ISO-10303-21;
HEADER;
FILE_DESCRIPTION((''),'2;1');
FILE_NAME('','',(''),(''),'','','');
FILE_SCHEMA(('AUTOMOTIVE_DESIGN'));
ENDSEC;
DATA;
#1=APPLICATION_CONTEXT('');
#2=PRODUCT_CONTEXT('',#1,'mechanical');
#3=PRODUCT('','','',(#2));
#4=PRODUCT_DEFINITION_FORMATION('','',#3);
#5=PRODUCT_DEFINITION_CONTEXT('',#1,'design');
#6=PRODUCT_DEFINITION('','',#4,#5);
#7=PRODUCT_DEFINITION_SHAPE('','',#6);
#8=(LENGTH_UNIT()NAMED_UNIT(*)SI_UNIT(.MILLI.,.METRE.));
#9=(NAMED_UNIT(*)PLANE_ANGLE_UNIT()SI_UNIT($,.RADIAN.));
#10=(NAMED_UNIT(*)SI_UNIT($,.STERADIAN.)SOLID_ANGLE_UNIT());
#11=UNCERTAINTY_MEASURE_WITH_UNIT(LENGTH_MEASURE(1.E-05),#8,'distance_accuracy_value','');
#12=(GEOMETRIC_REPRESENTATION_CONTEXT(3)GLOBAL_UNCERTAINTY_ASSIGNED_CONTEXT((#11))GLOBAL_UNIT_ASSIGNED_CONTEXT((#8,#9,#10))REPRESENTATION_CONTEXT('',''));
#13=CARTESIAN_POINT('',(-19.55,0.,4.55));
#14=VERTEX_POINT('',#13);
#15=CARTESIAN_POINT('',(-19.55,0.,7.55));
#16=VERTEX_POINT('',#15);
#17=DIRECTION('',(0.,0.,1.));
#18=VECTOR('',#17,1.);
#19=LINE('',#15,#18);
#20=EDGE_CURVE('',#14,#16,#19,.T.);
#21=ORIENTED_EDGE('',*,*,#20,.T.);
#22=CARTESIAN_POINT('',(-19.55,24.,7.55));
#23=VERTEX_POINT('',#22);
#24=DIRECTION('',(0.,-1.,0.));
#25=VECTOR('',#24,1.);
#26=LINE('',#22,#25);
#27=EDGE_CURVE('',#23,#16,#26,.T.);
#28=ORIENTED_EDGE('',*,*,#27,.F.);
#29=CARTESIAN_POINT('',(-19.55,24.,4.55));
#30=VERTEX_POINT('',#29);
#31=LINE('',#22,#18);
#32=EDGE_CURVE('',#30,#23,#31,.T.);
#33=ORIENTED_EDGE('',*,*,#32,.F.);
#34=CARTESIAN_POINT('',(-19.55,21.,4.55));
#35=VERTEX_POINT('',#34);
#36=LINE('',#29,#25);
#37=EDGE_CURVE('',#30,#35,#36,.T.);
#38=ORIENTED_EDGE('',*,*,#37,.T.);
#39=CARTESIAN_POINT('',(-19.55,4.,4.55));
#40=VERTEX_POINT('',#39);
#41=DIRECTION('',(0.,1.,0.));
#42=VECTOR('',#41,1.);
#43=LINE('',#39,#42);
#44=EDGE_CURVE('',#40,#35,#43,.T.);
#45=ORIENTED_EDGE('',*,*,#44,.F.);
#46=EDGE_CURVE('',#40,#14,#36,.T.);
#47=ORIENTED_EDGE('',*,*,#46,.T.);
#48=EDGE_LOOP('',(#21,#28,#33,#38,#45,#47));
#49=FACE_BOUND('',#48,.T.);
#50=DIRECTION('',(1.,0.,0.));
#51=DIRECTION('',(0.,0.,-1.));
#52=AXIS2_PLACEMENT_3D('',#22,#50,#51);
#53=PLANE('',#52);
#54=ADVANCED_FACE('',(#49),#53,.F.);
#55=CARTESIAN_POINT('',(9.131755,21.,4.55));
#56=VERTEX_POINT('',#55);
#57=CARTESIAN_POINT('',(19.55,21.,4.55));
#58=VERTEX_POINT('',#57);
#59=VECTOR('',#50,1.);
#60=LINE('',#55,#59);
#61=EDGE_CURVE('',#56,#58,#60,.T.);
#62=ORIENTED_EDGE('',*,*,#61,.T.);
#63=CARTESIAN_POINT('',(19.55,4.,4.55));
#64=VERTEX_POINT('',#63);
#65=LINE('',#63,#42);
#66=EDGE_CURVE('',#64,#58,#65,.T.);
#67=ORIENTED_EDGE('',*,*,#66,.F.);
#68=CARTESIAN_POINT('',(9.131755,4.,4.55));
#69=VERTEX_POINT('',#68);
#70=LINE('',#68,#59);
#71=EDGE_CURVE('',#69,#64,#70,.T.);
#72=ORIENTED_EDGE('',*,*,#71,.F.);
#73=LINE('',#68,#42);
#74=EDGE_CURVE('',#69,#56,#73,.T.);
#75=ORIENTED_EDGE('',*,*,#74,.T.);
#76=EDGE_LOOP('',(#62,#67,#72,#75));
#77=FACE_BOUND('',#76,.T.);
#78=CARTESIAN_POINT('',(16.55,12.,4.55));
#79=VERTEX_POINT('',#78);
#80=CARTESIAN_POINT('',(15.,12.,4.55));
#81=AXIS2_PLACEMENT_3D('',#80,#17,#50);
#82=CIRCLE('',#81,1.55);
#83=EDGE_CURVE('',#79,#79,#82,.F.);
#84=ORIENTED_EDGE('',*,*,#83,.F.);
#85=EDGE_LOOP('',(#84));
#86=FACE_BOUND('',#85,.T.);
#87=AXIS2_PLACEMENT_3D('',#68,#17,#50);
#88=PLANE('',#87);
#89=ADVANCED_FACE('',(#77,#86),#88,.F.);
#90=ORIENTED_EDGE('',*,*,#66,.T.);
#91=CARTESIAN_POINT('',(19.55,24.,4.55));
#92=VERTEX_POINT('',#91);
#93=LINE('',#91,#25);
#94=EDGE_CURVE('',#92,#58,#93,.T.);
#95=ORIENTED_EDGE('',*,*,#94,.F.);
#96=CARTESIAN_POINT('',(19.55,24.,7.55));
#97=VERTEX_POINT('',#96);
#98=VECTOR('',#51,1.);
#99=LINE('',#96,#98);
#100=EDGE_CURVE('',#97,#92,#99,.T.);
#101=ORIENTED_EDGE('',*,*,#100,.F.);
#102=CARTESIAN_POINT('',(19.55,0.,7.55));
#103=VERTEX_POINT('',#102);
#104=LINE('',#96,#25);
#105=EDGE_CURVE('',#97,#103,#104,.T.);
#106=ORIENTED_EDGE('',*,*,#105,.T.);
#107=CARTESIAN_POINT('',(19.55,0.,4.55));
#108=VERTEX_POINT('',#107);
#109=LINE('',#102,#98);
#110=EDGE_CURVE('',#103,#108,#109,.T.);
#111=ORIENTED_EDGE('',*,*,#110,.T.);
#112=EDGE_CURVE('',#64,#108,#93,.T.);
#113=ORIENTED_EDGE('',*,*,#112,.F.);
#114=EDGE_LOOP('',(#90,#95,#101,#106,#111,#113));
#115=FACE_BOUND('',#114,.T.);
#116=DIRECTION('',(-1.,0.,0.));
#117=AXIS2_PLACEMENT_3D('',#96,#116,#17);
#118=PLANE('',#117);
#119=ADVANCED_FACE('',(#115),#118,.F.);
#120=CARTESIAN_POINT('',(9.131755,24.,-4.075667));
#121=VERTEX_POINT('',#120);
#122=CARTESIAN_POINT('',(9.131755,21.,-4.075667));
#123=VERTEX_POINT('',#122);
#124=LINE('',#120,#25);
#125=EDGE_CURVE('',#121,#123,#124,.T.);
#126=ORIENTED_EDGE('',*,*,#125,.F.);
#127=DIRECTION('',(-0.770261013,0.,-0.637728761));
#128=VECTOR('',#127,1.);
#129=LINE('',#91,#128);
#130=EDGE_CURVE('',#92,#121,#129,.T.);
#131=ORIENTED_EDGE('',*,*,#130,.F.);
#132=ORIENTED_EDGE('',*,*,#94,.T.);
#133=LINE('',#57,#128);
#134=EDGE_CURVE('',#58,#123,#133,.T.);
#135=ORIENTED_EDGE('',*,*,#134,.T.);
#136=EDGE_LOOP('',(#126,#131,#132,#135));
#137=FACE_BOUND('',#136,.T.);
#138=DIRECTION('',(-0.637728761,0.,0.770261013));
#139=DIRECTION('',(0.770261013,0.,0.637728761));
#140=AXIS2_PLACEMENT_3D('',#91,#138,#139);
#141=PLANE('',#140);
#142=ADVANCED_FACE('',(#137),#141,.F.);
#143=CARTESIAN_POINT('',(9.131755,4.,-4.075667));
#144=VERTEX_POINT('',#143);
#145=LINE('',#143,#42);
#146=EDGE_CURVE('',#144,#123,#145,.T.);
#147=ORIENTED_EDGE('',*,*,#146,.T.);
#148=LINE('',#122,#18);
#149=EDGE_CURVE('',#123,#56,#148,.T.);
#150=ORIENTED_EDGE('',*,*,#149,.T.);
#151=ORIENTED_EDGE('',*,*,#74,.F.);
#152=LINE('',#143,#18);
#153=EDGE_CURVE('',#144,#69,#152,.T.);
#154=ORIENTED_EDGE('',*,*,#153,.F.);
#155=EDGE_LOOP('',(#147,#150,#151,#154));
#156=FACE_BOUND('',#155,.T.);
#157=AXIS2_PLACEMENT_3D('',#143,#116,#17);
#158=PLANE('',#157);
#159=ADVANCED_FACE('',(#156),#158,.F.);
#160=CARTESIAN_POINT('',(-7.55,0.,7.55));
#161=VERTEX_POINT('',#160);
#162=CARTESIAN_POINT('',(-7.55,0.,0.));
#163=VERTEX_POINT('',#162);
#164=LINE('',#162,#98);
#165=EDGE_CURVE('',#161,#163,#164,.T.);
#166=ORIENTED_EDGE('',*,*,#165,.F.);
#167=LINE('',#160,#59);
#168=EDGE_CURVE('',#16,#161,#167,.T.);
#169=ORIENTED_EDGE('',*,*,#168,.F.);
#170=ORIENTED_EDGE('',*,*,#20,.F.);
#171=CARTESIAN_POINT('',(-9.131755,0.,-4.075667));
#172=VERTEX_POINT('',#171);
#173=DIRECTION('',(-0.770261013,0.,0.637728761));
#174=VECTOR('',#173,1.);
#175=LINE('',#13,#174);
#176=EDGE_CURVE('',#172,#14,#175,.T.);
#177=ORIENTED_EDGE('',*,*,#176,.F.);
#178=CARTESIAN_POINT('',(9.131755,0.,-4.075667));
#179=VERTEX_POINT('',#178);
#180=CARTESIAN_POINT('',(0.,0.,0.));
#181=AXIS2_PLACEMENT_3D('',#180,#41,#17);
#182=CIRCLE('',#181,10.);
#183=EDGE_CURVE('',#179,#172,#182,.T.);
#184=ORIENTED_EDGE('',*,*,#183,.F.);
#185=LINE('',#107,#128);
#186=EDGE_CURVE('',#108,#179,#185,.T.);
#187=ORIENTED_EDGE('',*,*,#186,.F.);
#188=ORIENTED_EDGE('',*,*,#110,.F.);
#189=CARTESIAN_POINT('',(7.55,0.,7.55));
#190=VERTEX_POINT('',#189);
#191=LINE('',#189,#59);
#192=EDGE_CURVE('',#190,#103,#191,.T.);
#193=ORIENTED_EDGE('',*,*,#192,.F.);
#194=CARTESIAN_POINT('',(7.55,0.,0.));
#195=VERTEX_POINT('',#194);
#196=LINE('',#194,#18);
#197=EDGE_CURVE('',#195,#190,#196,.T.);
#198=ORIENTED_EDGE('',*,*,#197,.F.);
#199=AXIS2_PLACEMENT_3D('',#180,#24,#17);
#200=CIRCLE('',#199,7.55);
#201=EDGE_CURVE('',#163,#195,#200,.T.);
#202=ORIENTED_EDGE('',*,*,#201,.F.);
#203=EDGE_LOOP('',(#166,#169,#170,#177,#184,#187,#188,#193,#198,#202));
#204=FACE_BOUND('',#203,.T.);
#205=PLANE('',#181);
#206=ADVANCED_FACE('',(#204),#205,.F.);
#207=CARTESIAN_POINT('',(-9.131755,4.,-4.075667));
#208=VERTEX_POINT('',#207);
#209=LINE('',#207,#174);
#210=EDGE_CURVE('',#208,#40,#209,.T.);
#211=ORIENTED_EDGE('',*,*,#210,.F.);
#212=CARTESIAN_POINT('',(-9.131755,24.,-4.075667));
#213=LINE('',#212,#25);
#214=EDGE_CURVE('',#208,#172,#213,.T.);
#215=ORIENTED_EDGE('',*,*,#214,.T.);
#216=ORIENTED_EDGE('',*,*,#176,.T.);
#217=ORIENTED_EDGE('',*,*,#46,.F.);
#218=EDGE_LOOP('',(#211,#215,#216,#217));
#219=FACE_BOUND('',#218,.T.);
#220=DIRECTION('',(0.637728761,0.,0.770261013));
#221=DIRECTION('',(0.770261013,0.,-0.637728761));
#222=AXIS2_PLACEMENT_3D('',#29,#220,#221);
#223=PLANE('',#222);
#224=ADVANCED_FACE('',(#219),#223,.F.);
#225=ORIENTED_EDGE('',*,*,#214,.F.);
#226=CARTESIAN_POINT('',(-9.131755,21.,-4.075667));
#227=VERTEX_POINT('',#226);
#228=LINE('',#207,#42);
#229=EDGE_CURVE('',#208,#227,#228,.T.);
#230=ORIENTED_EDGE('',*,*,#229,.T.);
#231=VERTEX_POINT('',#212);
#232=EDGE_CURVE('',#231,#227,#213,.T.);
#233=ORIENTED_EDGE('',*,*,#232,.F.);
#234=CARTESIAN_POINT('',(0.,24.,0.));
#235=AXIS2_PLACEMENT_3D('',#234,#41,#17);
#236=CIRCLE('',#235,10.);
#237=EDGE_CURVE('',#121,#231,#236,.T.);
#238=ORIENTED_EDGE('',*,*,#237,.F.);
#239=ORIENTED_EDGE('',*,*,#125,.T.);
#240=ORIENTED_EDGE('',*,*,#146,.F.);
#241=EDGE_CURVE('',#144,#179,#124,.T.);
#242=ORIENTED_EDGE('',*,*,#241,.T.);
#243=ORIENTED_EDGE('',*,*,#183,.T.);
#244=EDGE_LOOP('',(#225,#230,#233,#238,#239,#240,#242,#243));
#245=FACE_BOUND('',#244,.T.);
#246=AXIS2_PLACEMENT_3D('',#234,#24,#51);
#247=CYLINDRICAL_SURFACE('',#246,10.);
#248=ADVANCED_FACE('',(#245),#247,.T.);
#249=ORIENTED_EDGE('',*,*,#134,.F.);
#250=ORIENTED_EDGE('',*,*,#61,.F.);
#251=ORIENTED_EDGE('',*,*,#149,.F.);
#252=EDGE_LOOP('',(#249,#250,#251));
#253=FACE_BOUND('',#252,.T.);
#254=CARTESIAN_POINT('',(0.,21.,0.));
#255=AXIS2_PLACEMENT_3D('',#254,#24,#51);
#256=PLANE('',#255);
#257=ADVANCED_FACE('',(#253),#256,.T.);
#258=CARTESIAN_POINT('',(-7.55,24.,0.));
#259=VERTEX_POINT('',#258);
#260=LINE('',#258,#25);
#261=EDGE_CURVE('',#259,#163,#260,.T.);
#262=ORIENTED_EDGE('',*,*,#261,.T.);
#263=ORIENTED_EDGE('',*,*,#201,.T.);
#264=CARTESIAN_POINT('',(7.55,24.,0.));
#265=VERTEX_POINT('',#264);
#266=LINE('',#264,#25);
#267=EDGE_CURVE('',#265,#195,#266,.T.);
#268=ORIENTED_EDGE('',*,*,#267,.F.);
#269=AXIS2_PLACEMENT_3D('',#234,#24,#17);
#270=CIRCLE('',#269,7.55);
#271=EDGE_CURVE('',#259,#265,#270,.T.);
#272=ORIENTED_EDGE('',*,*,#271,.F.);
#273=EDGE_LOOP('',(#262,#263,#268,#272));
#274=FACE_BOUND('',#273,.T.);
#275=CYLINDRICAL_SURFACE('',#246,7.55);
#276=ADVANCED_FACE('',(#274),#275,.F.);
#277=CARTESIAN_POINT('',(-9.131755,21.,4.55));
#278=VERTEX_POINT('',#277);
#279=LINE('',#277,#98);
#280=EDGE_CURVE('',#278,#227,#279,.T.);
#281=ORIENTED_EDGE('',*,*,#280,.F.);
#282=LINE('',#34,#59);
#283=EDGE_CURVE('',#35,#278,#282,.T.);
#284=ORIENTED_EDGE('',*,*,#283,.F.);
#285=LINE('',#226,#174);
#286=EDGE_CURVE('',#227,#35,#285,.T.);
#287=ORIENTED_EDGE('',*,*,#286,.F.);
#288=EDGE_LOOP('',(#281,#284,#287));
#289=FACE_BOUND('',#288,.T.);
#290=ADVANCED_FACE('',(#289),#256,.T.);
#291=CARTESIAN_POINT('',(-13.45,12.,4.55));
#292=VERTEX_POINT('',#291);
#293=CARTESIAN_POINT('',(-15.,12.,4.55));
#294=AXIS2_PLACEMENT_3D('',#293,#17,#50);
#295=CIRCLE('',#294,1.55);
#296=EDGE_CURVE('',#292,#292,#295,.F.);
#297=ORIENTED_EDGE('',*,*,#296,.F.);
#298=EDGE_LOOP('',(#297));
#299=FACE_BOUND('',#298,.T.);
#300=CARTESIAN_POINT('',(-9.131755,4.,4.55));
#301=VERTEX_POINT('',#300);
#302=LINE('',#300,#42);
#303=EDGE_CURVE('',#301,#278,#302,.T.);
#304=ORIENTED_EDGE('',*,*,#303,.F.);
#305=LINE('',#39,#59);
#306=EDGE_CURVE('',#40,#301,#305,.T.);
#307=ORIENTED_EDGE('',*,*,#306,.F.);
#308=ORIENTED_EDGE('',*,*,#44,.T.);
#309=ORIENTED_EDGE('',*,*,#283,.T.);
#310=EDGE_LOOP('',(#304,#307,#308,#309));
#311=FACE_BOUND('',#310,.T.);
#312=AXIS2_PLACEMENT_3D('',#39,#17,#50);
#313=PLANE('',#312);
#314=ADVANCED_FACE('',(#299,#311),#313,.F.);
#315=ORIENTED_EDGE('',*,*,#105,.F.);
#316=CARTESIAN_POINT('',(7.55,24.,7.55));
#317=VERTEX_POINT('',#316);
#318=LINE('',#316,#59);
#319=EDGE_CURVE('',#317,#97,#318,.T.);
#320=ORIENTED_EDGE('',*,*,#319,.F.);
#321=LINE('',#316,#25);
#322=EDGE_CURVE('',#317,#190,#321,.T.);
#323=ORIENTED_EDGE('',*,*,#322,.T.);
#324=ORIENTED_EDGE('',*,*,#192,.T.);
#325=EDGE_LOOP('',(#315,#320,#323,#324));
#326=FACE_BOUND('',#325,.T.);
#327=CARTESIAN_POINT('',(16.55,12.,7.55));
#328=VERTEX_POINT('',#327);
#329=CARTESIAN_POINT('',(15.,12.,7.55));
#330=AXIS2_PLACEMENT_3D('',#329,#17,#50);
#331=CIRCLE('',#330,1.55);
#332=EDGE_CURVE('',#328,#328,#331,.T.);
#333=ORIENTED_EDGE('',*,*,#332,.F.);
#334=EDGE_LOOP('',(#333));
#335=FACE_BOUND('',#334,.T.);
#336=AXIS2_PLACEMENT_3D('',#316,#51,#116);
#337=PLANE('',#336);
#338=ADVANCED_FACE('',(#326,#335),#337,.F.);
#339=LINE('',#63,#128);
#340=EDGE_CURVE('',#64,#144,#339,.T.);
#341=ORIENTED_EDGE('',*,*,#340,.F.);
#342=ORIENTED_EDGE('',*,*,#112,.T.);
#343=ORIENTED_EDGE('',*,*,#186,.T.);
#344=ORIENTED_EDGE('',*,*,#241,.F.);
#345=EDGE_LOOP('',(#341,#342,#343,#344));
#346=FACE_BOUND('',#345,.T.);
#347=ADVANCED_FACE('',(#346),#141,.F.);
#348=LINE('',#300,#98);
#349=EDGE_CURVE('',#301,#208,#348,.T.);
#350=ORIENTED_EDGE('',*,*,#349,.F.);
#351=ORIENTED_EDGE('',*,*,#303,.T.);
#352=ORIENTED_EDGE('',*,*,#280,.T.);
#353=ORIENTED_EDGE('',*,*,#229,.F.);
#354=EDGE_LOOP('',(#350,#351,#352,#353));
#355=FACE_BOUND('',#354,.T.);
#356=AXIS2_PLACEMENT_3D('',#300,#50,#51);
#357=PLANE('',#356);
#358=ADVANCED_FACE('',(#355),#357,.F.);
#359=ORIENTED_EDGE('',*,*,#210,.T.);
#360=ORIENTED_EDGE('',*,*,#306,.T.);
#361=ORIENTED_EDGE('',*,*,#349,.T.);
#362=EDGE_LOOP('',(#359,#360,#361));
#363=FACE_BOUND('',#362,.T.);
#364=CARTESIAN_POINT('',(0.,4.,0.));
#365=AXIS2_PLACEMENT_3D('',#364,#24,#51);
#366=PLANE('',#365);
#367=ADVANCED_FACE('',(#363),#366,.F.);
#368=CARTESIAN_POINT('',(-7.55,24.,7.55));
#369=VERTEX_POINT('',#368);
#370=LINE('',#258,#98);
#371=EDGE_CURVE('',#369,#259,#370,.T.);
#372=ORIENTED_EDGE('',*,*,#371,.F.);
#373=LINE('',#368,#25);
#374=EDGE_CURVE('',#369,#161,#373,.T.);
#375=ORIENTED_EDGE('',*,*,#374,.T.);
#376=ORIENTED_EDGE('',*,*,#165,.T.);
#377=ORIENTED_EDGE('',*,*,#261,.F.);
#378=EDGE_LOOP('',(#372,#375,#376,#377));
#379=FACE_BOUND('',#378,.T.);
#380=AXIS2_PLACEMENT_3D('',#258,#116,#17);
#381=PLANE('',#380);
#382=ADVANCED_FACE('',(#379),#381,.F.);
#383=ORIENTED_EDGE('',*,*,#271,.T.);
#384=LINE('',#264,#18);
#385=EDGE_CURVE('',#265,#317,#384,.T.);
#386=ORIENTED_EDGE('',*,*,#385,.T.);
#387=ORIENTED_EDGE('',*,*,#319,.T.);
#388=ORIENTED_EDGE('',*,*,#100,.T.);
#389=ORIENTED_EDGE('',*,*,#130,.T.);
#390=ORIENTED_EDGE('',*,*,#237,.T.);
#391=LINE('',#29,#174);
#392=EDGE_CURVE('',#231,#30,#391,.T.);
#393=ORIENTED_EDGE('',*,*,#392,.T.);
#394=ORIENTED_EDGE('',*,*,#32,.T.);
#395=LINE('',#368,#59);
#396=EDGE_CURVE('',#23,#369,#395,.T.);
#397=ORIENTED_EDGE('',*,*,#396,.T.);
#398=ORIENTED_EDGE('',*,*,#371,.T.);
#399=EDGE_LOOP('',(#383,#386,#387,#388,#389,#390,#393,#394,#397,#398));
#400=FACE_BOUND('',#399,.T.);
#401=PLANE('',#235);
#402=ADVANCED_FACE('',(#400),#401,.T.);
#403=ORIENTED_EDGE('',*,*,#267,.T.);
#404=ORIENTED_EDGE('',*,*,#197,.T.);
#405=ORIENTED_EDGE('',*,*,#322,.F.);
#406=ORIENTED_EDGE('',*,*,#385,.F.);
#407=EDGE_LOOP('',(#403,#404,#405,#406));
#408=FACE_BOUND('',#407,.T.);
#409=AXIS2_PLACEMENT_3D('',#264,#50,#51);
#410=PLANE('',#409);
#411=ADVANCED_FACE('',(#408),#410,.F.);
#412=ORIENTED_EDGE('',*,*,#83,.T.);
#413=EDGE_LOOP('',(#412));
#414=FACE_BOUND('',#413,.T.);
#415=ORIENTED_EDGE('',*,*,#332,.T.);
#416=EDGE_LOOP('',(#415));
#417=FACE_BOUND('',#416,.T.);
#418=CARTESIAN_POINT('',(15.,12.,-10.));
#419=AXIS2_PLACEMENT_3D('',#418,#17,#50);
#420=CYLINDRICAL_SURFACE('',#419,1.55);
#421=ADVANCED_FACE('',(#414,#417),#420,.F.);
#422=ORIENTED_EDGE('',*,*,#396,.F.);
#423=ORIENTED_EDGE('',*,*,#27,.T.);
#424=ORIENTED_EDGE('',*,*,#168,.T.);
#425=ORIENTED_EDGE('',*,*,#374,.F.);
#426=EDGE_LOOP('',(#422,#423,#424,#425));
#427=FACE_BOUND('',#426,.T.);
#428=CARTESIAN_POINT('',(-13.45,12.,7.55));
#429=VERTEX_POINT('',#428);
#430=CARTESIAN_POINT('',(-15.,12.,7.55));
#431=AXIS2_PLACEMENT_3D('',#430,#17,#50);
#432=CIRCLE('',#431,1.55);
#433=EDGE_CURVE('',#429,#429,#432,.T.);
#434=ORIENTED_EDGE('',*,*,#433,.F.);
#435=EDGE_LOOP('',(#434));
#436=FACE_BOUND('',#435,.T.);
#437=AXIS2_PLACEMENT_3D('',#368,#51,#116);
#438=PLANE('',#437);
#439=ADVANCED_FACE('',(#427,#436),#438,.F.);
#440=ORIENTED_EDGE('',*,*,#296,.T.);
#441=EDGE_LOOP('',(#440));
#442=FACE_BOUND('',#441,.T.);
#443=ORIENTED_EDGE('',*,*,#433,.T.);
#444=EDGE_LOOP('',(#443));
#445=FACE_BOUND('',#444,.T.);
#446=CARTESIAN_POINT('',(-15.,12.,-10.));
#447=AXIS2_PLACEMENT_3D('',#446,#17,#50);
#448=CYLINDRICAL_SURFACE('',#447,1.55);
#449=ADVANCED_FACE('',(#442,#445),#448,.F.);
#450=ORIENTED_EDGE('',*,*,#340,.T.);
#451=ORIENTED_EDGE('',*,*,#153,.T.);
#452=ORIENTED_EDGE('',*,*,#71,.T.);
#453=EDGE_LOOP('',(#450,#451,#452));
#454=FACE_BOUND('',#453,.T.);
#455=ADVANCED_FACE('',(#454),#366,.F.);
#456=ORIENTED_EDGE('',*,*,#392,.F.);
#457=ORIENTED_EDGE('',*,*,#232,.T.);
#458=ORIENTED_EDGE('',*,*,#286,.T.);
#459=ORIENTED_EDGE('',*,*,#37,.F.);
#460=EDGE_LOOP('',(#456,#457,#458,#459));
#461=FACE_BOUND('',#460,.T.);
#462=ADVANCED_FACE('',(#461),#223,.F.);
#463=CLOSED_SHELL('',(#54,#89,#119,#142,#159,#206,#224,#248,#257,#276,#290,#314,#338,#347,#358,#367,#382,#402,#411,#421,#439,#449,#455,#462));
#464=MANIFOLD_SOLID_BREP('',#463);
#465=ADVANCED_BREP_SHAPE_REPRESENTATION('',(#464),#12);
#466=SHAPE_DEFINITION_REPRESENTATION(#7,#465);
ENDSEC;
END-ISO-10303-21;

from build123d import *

# Parameters (mm, degrees)
SALIENTE_EXTRUIR1_DEPTH = 24
CROQUIS3_R              = 1.55
CORTAR_EXTRUIR1_DEPTH   = 18.55
CORTAR_EXTRUIR2_DEPTH   = 17
CORTAR_EXTRUIR3_DEPTH   = 17


with BuildPart() as part:
    # Croquis2 → Saliente-Extruir1 (new body)
    with BuildSketch(Plane(origin=(0, 0, 0), x_dir=(1, 0, 0), z_dir=(0, 1, 0))):
        with BuildLine():
            Line((-7.55, 0), (-7.55, -7.55))
            Line((-7.55, -7.55), (-19.55, -7.55))
            Line((-19.55, -7.55), (-19.55, -4.55))
            Line((-19.55, -4.55), (-9.131754542, 4.075666691))
            ThreePointArc((-9.131754542, 4.075666691), (-2e-09, 10), (9.131754541, 4.075666695))
            Line((9.131754541, 4.075666695), (19.55, -4.55))
            Line((19.55, -4.55), (19.55, -7.55))
            Line((19.55, -7.55), (7.55, -7.55))
            Line((7.55, -7.55), (7.55, 0))
            ThreePointArc((7.55, 0), (0, 7.55), (-7.55, 0))
        make_face()
    extrude(amount=SALIENTE_EXTRUIR1_DEPTH)

    # Croquis3 → Cortar-Extruir1 (cut, through all)
    with BuildSketch(Plane.XY.offset(7.55)):
        with Locations((15, 12)):
            Circle(CROQUIS3_R)
        with Locations((-15, 12)):
            Circle(CROQUIS3_R)
    extrude(amount=-CORTAR_EXTRUIR1_DEPTH, mode=Mode.SUBTRACT)

    # Croquis4 → Cortar-Extruir2 (cut)
    with BuildSketch(Plane(origin=(0, 21, 0), x_dir=(1, 0, 0), z_dir=(0, 1, 0))):
        Polygon((-9.131754542, 4.075666691), (-19.55, -4.55), (-9.131754542, -4.55), align=None)
    extrude(amount=-CORTAR_EXTRUIR2_DEPTH, mode=Mode.SUBTRACT)

    # Croquis5 → Cortar-Extruir3 (cut)
    with BuildSketch(Plane(origin=(0, 21, 0), x_dir=(1, 0, 0), z_dir=(0, 1, 0))):
        Polygon((19.55, -4.55), (9.131754541, 4.075666695), (9.131754541, -4.55), align=None)
    extrude(amount=-CORTAR_EXTRUIR3_DEPTH, mode=Mode.SUBTRACT)


solid = part.part
